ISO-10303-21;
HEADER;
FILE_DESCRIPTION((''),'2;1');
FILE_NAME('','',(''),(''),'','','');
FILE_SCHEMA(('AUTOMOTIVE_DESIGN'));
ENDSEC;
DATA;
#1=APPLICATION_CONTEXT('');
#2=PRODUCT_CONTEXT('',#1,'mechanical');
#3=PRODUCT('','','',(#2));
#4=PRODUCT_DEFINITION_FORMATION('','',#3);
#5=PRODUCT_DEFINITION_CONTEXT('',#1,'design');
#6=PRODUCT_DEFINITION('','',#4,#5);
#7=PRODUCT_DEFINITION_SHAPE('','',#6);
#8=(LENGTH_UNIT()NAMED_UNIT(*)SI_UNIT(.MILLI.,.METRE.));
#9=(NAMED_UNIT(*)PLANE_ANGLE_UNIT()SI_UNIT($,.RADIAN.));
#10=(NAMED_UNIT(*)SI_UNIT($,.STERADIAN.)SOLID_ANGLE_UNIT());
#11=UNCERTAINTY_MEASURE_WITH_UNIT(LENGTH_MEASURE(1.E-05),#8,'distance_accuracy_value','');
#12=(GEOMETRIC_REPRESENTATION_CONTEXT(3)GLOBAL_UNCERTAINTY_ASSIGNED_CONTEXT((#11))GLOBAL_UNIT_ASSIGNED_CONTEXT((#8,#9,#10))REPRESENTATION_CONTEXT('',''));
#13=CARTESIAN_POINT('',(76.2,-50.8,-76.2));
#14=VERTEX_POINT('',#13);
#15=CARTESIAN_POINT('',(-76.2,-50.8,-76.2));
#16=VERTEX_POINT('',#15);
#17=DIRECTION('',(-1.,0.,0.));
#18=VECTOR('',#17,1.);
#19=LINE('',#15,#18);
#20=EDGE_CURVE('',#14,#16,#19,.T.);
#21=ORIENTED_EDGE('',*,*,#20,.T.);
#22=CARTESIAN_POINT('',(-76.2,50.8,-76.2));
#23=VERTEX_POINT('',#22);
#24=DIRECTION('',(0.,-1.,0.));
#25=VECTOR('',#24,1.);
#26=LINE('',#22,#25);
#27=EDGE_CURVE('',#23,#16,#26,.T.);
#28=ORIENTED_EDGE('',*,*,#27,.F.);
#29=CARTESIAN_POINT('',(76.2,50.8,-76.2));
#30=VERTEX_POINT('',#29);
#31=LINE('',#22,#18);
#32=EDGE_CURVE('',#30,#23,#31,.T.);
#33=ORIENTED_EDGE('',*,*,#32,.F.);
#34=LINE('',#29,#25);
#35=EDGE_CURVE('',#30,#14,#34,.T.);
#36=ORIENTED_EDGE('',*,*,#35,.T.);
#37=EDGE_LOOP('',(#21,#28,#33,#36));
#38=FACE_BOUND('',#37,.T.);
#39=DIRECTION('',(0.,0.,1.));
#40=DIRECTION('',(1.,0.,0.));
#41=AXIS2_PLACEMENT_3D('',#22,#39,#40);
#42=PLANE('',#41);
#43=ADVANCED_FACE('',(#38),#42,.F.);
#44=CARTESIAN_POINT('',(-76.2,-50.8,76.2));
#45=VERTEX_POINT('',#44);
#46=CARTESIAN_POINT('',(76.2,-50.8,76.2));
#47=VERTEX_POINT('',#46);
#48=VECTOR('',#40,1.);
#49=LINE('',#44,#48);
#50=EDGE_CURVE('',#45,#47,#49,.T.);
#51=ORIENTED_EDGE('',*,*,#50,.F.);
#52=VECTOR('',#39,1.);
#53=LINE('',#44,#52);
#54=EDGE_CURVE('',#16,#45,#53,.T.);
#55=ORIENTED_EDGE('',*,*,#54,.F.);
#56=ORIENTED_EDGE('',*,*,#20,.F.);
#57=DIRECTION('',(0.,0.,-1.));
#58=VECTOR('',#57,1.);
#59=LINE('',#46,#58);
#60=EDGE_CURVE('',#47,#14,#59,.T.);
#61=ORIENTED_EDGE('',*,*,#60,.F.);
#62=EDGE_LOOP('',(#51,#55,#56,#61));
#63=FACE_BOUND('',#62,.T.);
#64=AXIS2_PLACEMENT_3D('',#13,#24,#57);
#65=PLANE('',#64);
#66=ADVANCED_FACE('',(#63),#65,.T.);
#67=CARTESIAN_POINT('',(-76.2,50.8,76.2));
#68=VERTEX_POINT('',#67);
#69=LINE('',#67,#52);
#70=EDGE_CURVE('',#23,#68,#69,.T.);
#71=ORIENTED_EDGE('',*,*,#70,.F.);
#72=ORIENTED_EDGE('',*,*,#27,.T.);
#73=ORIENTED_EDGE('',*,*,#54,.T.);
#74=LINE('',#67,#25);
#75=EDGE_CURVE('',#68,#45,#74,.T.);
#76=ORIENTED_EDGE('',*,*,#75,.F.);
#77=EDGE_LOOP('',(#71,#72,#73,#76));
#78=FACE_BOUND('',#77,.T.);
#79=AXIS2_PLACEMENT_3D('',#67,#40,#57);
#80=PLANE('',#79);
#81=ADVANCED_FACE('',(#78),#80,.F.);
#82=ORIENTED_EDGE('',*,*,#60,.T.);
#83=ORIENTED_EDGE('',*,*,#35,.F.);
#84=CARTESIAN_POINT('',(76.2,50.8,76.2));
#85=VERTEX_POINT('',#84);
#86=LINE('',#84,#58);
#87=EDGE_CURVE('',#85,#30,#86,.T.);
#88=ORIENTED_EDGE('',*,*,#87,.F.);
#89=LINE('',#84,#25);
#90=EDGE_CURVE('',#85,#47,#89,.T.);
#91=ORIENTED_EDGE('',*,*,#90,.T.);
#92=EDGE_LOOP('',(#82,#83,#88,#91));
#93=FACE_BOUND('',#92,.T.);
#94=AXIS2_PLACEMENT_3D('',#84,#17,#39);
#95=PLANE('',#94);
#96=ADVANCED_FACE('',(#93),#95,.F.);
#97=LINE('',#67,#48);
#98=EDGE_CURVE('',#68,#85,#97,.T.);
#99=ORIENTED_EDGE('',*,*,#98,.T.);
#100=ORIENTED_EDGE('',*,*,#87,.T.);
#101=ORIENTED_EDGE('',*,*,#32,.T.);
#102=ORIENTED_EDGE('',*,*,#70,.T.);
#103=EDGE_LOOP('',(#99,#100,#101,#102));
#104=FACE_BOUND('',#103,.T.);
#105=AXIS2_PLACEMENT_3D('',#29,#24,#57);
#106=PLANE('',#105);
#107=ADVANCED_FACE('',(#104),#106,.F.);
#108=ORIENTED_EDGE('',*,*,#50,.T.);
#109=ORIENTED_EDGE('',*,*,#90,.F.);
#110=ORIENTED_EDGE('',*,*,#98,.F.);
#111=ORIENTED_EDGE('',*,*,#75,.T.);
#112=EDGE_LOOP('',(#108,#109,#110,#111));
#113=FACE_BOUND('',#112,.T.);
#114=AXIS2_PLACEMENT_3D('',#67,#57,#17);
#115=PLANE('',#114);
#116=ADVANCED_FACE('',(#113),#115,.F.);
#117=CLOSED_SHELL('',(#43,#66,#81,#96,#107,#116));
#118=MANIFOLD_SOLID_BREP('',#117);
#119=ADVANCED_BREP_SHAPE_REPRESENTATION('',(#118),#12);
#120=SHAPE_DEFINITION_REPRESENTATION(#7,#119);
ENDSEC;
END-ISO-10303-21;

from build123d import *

# Parameters (mm, degrees)
SKETCH1_W      = 152.4
SKETCH1_H      = 152.4
EXTRUDE1_DEPTH = 50.8


with BuildPart() as part:
    # Sketch1 → Extrude1 (new body, symmetric)
    with BuildSketch(Plane(origin=(0, 0, 0), x_dir=(1, 0, 0), z_dir=(0, 1, 0))):
        Rectangle(SKETCH1_W, SKETCH1_H)
    extrude(amount=EXTRUDE1_DEPTH, both=True)


solid = part.part
